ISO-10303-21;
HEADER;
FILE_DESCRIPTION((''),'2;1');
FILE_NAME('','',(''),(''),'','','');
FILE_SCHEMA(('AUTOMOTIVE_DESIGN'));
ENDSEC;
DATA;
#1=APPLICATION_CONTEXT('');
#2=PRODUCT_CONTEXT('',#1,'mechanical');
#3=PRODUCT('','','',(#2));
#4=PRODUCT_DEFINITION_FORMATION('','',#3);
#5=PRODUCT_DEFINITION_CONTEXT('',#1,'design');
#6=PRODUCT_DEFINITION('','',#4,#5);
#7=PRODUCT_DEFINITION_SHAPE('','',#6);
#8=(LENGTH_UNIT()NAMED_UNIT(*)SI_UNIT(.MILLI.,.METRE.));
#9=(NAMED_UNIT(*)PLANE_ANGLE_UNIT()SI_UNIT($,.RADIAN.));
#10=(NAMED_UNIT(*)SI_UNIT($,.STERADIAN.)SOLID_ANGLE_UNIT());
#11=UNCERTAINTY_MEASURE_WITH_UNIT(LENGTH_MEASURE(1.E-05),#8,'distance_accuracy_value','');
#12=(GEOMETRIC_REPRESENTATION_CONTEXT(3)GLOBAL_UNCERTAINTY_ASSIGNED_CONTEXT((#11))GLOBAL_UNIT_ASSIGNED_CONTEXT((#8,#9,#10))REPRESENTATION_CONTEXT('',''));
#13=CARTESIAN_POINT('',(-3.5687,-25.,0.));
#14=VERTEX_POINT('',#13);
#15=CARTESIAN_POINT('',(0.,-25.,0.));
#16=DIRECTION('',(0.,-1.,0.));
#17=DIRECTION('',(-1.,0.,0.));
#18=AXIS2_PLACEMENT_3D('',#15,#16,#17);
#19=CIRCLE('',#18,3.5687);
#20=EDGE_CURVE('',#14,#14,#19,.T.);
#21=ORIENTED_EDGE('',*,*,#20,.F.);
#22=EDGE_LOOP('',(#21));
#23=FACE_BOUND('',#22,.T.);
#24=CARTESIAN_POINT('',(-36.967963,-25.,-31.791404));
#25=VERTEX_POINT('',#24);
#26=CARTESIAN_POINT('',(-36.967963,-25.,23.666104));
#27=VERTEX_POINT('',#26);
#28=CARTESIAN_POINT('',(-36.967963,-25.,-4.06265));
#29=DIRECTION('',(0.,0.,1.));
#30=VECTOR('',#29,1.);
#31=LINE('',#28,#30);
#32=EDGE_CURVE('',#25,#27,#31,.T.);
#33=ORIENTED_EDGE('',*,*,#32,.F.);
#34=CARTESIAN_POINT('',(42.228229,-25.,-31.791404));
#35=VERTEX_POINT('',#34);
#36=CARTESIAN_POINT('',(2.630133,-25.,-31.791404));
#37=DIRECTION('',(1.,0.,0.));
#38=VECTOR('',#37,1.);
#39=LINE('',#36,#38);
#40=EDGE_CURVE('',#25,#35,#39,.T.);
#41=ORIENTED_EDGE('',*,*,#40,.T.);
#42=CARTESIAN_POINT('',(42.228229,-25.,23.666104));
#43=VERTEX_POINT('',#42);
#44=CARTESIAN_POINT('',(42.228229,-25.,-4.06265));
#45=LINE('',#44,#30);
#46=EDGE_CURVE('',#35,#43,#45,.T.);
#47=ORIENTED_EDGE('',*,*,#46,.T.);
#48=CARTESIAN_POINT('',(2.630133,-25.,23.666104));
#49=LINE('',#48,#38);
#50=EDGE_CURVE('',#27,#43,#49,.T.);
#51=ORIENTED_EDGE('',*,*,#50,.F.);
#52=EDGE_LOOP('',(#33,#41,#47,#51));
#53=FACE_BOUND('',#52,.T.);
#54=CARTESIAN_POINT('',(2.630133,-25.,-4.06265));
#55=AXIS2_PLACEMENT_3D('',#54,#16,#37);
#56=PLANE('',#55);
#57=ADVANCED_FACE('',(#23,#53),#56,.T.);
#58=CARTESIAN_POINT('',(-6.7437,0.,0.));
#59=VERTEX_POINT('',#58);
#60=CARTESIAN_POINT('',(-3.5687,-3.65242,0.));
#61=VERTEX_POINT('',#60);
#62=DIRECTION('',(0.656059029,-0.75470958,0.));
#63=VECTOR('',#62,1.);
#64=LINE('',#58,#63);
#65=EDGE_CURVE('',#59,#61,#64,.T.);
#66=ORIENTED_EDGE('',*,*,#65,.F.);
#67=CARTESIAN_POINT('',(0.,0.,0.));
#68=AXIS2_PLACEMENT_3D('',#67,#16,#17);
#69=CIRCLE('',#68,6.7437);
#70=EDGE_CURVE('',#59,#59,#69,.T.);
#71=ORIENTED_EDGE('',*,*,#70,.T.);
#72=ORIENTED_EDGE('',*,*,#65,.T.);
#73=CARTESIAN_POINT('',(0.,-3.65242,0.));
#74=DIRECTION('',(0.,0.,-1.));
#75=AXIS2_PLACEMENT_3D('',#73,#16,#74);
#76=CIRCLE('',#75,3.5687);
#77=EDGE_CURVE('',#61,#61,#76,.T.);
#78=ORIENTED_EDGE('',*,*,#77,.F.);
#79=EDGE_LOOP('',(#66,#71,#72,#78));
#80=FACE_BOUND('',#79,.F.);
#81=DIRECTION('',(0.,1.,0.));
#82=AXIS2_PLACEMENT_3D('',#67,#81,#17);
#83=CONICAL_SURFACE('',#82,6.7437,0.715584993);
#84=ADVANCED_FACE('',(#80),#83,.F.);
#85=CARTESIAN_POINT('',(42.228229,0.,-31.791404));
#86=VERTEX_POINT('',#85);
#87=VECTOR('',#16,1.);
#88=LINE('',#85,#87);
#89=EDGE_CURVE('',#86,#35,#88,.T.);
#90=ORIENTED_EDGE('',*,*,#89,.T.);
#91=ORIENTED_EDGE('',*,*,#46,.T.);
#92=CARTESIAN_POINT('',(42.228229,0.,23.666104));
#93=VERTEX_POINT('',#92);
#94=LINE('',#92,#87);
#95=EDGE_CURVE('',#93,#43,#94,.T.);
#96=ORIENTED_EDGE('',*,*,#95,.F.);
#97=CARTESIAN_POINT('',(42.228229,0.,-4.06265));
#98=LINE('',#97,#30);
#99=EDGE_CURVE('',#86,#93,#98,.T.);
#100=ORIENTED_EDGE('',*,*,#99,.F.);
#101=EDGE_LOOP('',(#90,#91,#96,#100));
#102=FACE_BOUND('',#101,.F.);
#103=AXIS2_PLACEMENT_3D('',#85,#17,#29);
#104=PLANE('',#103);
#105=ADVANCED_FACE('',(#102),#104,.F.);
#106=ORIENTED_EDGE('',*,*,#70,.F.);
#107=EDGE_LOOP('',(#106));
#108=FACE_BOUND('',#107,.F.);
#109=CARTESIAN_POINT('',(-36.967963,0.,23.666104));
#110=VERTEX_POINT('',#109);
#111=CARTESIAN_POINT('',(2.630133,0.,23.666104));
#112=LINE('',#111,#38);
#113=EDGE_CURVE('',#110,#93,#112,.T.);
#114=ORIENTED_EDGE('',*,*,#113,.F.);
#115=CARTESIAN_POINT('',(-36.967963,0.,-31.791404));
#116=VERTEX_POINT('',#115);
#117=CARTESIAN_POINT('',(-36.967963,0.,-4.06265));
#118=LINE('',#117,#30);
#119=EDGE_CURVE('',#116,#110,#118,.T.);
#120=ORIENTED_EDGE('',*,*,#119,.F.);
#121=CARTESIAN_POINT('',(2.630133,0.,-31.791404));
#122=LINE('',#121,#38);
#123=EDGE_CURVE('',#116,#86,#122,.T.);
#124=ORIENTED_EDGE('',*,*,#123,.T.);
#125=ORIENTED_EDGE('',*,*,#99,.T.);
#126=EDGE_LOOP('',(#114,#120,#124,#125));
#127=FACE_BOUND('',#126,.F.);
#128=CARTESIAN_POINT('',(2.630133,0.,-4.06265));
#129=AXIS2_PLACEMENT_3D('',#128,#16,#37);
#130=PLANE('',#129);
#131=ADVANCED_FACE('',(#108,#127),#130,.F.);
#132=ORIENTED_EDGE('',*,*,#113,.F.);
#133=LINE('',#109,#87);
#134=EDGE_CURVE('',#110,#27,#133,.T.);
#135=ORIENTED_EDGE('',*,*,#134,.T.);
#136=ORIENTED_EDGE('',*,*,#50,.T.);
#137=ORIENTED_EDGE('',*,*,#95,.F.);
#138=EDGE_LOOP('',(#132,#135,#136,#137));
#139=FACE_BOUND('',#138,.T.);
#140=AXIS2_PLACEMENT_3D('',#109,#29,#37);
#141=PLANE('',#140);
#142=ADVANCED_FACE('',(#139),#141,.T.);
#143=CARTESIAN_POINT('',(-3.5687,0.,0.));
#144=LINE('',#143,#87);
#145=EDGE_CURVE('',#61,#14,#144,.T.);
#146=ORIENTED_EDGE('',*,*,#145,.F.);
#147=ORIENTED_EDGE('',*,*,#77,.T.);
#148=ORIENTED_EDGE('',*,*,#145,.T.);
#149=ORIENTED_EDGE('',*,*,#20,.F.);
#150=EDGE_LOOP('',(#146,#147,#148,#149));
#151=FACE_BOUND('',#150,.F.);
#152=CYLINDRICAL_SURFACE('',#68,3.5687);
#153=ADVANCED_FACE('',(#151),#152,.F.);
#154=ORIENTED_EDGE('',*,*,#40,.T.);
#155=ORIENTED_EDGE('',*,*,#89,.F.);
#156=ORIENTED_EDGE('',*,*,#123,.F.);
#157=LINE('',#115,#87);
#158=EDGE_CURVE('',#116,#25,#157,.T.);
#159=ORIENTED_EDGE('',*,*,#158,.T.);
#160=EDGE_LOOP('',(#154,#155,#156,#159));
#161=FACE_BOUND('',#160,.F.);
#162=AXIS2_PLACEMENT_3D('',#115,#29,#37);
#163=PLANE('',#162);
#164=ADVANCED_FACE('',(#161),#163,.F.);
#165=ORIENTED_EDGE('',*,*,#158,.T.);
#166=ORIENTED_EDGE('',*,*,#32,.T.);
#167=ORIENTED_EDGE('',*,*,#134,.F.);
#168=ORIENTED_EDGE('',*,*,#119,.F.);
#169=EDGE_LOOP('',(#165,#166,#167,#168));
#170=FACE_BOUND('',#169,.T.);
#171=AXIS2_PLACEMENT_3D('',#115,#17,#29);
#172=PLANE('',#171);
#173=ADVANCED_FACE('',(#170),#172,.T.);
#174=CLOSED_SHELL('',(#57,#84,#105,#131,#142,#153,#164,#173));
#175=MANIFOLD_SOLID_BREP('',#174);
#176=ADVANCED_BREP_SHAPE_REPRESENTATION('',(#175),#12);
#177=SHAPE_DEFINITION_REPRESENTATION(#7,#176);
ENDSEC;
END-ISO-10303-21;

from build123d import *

# Parameters (mm, degrees)
F0_W           = 79.1961923242
F0_H           = 55.4575081915
F1_DEPTH       = 25
F2_D           = 7.1374
F2_CSINK_D     = 13.4874
F2_CSINK_ANGLE = 82


with BuildPart() as f1:
    # F0 (on Front) → F1 (new body)
    with BuildSketch(Plane.XZ):
        with Locations((2.6301331818, -4.0626497939)):
            Rectangle(F0_W, F0_H)
    extrude(amount=F1_DEPTH)

    # F2 (through all)
    with Locations(Plane(origin=(0, 0, 0), x_dir=(1, 0, 0), z_dir=(0, 1, 0))):
        with Locations((0, 0)):
            CounterSinkHole(F2_D / 2, F2_CSINK_D / 2, counter_sink_angle=F2_CSINK_ANGLE)


solid = f1.part
